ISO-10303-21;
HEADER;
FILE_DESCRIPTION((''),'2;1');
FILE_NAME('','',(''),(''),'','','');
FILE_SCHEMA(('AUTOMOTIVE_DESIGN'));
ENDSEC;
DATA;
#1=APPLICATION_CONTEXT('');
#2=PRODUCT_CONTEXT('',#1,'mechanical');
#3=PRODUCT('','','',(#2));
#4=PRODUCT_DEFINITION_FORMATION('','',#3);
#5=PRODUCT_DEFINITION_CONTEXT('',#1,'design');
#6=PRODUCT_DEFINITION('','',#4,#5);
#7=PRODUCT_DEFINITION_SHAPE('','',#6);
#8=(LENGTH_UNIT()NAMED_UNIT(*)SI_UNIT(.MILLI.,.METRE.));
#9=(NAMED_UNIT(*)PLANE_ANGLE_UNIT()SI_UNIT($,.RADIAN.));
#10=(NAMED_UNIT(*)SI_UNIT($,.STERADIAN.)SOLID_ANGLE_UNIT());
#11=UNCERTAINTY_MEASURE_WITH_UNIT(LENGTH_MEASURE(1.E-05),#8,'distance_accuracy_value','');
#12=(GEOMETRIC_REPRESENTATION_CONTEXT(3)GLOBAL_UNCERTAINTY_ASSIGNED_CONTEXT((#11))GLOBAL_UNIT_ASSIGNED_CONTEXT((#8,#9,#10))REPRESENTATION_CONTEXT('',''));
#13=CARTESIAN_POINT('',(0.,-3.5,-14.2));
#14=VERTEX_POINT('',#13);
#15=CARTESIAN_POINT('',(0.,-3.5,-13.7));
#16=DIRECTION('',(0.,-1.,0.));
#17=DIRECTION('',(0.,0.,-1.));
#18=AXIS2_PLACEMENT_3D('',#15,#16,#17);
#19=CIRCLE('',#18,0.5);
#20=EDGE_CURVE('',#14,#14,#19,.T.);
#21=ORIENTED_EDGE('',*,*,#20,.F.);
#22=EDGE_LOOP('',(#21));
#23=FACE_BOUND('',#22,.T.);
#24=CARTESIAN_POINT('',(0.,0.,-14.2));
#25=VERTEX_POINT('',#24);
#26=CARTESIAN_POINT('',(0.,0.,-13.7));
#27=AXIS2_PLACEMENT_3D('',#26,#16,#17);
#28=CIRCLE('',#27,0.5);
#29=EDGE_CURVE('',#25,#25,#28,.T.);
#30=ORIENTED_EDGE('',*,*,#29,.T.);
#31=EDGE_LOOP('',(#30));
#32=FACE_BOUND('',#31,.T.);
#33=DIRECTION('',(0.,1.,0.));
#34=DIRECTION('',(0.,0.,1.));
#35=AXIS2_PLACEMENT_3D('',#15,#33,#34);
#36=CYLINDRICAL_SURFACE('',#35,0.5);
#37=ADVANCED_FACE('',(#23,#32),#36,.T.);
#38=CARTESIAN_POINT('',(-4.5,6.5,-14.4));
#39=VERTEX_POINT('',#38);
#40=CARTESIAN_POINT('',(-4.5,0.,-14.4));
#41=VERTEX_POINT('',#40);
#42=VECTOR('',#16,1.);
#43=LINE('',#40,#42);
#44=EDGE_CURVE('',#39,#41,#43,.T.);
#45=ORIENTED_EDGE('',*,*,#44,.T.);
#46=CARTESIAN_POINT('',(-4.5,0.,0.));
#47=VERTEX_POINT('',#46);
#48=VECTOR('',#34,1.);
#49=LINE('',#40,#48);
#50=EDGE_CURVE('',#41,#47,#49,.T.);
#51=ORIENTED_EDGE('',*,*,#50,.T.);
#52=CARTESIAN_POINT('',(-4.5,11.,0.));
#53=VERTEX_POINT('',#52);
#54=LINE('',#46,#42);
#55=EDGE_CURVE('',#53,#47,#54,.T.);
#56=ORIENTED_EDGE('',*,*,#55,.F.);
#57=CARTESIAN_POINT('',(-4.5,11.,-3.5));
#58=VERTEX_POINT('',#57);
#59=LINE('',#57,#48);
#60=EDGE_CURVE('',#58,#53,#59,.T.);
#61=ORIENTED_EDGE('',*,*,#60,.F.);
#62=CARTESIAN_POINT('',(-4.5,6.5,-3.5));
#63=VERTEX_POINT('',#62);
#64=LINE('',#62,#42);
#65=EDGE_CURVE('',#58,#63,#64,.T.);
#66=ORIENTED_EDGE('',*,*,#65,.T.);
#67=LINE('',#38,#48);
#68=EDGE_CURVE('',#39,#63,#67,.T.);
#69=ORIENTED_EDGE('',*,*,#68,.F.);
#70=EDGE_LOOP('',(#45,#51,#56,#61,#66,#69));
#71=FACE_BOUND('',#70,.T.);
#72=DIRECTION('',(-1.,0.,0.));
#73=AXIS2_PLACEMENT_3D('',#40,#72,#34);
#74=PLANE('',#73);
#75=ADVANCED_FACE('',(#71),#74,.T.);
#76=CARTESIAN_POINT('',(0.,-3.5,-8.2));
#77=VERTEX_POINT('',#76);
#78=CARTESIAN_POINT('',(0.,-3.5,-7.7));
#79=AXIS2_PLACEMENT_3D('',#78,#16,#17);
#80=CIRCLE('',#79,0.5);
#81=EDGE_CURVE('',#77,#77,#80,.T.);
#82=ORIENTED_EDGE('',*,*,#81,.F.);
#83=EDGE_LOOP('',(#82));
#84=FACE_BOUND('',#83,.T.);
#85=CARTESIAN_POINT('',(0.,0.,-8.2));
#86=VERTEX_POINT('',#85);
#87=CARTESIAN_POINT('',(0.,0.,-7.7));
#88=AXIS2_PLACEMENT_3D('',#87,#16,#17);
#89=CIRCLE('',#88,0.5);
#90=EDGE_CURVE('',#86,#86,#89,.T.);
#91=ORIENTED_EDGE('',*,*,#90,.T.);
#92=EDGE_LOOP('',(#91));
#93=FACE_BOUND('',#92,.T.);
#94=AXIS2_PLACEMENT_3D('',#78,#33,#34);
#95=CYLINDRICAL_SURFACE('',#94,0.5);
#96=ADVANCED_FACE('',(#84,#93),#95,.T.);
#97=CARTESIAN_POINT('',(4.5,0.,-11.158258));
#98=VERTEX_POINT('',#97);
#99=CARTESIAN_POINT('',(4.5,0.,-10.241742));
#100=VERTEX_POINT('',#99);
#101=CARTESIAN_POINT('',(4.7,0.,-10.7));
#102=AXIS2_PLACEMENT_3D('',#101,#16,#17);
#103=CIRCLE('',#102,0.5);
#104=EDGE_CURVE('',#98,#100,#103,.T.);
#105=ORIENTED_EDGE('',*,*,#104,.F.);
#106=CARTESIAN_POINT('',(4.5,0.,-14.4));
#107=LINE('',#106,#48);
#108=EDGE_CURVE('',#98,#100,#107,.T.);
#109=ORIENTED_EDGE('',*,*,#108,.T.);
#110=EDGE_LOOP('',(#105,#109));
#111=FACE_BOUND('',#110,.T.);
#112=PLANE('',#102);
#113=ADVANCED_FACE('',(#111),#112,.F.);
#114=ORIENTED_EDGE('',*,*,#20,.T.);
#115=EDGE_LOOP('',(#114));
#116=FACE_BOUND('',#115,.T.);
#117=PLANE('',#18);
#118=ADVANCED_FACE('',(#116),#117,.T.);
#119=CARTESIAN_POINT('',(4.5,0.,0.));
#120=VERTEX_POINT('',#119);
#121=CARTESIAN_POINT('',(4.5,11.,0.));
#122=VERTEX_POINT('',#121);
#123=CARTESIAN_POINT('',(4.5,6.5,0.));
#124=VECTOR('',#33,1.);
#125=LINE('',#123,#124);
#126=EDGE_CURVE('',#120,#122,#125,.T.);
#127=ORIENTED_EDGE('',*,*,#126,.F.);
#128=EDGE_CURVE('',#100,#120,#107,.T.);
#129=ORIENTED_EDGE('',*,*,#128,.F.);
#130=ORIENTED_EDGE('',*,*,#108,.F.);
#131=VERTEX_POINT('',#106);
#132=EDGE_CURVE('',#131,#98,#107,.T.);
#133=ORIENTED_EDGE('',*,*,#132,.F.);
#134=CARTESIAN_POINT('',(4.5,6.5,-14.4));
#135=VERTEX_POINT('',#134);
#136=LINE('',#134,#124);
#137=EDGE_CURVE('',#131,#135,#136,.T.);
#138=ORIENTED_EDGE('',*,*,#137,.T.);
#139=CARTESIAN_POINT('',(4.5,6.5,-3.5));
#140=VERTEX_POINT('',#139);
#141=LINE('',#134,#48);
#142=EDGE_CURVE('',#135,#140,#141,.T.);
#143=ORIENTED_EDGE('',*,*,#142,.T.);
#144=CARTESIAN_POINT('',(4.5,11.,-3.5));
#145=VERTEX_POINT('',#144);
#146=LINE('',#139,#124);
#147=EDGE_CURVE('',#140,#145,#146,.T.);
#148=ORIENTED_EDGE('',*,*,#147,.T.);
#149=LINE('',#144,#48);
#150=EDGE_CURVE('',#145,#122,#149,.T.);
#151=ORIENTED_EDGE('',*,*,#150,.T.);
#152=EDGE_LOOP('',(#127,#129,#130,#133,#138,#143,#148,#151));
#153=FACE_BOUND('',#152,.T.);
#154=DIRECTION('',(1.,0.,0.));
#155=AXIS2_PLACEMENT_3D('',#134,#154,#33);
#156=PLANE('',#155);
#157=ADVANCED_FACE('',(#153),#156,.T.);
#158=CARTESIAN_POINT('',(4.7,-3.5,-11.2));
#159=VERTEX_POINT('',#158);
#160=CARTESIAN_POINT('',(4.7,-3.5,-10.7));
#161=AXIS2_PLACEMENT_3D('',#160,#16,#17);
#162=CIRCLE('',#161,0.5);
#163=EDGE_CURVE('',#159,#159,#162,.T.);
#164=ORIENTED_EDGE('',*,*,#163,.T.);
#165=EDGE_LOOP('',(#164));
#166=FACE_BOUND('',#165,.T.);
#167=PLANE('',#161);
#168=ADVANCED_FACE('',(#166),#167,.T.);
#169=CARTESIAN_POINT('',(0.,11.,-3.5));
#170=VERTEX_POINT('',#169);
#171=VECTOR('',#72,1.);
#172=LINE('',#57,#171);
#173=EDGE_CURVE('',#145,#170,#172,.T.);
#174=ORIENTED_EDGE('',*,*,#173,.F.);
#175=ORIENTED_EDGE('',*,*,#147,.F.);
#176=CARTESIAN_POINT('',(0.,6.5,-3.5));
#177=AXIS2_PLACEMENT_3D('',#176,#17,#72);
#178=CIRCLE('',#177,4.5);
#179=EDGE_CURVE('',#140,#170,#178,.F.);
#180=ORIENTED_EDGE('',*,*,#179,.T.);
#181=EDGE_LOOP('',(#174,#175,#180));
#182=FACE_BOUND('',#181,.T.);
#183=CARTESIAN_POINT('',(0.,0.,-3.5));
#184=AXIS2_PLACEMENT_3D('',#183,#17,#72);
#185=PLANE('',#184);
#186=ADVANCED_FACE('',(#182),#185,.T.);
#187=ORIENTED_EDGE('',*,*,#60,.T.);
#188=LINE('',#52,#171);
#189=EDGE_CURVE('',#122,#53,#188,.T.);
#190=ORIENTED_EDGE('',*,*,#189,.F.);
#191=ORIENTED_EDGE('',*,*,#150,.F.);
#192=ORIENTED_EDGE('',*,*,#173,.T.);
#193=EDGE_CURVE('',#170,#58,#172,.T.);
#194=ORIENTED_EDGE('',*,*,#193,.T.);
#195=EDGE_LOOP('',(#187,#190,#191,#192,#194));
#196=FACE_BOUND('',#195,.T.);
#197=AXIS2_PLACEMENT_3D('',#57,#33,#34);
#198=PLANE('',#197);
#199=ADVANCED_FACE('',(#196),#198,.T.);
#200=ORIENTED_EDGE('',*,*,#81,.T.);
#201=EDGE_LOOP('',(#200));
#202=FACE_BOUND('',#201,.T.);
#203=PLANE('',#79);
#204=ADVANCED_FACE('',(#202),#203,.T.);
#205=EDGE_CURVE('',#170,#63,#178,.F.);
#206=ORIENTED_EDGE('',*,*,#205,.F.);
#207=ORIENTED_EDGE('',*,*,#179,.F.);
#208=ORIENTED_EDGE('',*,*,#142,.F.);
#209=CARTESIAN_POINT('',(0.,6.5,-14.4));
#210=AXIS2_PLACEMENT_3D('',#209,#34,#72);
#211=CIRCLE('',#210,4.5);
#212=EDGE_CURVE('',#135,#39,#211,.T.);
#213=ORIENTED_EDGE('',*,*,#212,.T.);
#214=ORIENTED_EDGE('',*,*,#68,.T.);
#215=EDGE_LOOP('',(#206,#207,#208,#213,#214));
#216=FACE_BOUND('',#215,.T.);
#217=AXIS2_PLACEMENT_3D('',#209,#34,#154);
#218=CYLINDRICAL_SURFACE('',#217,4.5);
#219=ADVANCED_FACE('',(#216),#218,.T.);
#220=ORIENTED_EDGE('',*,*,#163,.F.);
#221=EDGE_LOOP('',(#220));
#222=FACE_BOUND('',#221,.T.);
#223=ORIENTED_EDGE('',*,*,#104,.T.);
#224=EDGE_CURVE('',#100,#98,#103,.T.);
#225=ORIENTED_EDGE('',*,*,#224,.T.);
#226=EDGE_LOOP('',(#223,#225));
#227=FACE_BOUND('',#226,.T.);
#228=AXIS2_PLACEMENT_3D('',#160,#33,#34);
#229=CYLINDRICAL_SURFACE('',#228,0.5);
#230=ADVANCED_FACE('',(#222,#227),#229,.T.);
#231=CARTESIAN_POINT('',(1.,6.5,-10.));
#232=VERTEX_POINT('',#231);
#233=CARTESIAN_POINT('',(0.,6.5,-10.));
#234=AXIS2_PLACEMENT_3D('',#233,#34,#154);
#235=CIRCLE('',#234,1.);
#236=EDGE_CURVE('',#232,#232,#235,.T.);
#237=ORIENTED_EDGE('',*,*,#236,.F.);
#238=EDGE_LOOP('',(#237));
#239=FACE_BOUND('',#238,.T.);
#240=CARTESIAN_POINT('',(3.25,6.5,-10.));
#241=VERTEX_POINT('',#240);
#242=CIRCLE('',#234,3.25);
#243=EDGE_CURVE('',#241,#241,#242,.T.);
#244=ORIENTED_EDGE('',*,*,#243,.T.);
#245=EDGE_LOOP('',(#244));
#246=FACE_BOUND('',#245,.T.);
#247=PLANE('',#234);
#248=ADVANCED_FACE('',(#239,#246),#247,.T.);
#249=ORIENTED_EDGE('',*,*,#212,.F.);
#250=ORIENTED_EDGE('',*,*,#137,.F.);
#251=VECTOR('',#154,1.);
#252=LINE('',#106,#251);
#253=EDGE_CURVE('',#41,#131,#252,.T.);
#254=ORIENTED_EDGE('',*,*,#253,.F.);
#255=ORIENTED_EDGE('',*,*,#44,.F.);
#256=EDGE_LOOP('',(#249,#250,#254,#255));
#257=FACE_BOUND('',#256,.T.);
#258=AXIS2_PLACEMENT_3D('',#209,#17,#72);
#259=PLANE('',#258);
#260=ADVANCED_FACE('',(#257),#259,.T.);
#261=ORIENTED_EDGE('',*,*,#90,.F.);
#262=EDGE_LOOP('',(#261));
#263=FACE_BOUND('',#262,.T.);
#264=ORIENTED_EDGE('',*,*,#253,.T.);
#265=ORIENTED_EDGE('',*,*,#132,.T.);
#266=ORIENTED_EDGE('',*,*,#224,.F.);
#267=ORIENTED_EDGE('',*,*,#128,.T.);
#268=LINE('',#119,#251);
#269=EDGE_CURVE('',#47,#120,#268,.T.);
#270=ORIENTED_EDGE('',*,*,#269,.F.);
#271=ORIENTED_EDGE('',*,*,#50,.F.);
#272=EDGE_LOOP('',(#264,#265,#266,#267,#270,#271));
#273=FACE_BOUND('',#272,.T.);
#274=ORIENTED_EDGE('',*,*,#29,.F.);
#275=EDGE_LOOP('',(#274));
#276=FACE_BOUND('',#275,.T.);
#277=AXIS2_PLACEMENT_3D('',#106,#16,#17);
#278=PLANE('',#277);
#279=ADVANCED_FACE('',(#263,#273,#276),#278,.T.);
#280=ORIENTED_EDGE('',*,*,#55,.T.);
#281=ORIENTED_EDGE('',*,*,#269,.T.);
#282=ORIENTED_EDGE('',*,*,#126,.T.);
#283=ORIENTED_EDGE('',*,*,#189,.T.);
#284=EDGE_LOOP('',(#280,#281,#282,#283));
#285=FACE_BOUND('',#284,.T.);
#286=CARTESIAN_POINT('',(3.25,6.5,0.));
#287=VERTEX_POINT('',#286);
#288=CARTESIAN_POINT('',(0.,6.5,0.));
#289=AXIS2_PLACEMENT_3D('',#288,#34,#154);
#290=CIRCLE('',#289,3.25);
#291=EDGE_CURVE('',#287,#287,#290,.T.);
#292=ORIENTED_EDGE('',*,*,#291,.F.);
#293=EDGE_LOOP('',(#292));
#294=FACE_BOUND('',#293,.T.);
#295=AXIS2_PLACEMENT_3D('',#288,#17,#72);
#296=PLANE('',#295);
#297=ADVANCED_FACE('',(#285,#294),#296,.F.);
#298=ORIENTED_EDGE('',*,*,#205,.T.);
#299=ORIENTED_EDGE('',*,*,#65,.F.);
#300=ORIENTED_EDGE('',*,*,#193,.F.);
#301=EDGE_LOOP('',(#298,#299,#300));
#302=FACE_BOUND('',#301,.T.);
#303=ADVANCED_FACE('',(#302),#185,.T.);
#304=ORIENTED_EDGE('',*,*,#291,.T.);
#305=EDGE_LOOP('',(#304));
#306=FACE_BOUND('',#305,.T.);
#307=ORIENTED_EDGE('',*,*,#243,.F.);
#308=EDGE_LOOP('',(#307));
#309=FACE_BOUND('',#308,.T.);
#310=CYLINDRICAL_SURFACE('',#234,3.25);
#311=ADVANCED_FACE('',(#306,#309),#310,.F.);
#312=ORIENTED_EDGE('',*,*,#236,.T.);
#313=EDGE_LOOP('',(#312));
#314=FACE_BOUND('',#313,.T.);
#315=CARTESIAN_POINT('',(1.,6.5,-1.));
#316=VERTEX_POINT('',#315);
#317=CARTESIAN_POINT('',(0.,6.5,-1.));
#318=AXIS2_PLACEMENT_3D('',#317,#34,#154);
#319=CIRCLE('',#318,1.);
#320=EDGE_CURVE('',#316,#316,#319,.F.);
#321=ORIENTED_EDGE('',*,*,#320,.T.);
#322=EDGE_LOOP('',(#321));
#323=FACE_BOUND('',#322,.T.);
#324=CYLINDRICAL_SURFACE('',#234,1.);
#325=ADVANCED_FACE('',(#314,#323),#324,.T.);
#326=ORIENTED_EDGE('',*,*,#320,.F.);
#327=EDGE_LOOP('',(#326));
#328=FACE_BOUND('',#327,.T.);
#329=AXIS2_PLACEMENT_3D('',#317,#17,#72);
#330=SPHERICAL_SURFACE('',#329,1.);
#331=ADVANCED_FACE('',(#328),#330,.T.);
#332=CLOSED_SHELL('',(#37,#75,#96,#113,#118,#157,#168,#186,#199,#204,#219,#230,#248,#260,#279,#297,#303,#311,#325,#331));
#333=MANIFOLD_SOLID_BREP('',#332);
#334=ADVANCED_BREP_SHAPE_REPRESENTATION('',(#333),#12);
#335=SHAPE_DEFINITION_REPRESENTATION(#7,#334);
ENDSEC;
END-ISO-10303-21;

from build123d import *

# Parameters (mm, degrees)
BOSS_EXTRUDE1_DEPTH = 14.4
SKETCH3_W           = 9
SKETCH3_H           = 4.5
BOSS_EXTRUDE2_DEPTH = 3.5
SKETCH2_R           = 3.25
SKETCH2_R_2         = 1
CUT_EXTRUDE1_DEPTH  = 10
FILLET1_R           = 1
SKETCH4_R           = 0.5
BOSS_EXTRUDE3_DEPTH = 3.5


with BuildPart() as part:
    # Sketch1 → Boss-Extrude1 (new body)
    with BuildSketch(Plane.XY):
        with BuildLine():
            Line((4.5, 0), (-4.5, 0))
            Line((-4.5, 0), (-4.5, 6.5))
            ThreePointArc((-4.5, 6.5), (0, 11), (4.5, 6.5))
            Line((4.5, 6.5), (4.5, 0))
        make_face()
    extrude(amount=-BOSS_EXTRUDE1_DEPTH)

    # Sketch3 → Boss-Extrude2 (add)
    with BuildSketch(Plane.XY):
        with Locations((0, 8.75)):
            Rectangle(SKETCH3_W, SKETCH3_H)
    extrude(amount=-BOSS_EXTRUDE2_DEPTH)

    # Sketch2 → Cut-Extrude1 (cut)
    with BuildSketch(Plane.XY):
        with Locations((0, 6.5)):
            Circle(SKETCH2_R)
        with Locations((0, 6.5)):
            Circle(SKETCH2_R_2, mode=Mode.SUBTRACT)
    extrude(amount=-CUT_EXTRUDE1_DEPTH, mode=Mode.SUBTRACT)

    # Fillet1
    fillet1_edges = [part.edges().sort_by_distance(p)[0] for p in [
        (-1, 6.5, 0),
    ]]
    fillet(fillet1_edges, radius=FILLET1_R)

    # Sketch4 → Boss-Extrude3 (add)
    with BuildSketch(Plane.XZ):
        with Locations((0, -13.7)):
            Circle(SKETCH4_R)
        with Locations((0, -7.7)):
            Circle(SKETCH4_R)
        with Locations((4.7, -10.7)):
            Circle(SKETCH4_R)
    extrude(amount=BOSS_EXTRUDE3_DEPTH)


solid = part.part
